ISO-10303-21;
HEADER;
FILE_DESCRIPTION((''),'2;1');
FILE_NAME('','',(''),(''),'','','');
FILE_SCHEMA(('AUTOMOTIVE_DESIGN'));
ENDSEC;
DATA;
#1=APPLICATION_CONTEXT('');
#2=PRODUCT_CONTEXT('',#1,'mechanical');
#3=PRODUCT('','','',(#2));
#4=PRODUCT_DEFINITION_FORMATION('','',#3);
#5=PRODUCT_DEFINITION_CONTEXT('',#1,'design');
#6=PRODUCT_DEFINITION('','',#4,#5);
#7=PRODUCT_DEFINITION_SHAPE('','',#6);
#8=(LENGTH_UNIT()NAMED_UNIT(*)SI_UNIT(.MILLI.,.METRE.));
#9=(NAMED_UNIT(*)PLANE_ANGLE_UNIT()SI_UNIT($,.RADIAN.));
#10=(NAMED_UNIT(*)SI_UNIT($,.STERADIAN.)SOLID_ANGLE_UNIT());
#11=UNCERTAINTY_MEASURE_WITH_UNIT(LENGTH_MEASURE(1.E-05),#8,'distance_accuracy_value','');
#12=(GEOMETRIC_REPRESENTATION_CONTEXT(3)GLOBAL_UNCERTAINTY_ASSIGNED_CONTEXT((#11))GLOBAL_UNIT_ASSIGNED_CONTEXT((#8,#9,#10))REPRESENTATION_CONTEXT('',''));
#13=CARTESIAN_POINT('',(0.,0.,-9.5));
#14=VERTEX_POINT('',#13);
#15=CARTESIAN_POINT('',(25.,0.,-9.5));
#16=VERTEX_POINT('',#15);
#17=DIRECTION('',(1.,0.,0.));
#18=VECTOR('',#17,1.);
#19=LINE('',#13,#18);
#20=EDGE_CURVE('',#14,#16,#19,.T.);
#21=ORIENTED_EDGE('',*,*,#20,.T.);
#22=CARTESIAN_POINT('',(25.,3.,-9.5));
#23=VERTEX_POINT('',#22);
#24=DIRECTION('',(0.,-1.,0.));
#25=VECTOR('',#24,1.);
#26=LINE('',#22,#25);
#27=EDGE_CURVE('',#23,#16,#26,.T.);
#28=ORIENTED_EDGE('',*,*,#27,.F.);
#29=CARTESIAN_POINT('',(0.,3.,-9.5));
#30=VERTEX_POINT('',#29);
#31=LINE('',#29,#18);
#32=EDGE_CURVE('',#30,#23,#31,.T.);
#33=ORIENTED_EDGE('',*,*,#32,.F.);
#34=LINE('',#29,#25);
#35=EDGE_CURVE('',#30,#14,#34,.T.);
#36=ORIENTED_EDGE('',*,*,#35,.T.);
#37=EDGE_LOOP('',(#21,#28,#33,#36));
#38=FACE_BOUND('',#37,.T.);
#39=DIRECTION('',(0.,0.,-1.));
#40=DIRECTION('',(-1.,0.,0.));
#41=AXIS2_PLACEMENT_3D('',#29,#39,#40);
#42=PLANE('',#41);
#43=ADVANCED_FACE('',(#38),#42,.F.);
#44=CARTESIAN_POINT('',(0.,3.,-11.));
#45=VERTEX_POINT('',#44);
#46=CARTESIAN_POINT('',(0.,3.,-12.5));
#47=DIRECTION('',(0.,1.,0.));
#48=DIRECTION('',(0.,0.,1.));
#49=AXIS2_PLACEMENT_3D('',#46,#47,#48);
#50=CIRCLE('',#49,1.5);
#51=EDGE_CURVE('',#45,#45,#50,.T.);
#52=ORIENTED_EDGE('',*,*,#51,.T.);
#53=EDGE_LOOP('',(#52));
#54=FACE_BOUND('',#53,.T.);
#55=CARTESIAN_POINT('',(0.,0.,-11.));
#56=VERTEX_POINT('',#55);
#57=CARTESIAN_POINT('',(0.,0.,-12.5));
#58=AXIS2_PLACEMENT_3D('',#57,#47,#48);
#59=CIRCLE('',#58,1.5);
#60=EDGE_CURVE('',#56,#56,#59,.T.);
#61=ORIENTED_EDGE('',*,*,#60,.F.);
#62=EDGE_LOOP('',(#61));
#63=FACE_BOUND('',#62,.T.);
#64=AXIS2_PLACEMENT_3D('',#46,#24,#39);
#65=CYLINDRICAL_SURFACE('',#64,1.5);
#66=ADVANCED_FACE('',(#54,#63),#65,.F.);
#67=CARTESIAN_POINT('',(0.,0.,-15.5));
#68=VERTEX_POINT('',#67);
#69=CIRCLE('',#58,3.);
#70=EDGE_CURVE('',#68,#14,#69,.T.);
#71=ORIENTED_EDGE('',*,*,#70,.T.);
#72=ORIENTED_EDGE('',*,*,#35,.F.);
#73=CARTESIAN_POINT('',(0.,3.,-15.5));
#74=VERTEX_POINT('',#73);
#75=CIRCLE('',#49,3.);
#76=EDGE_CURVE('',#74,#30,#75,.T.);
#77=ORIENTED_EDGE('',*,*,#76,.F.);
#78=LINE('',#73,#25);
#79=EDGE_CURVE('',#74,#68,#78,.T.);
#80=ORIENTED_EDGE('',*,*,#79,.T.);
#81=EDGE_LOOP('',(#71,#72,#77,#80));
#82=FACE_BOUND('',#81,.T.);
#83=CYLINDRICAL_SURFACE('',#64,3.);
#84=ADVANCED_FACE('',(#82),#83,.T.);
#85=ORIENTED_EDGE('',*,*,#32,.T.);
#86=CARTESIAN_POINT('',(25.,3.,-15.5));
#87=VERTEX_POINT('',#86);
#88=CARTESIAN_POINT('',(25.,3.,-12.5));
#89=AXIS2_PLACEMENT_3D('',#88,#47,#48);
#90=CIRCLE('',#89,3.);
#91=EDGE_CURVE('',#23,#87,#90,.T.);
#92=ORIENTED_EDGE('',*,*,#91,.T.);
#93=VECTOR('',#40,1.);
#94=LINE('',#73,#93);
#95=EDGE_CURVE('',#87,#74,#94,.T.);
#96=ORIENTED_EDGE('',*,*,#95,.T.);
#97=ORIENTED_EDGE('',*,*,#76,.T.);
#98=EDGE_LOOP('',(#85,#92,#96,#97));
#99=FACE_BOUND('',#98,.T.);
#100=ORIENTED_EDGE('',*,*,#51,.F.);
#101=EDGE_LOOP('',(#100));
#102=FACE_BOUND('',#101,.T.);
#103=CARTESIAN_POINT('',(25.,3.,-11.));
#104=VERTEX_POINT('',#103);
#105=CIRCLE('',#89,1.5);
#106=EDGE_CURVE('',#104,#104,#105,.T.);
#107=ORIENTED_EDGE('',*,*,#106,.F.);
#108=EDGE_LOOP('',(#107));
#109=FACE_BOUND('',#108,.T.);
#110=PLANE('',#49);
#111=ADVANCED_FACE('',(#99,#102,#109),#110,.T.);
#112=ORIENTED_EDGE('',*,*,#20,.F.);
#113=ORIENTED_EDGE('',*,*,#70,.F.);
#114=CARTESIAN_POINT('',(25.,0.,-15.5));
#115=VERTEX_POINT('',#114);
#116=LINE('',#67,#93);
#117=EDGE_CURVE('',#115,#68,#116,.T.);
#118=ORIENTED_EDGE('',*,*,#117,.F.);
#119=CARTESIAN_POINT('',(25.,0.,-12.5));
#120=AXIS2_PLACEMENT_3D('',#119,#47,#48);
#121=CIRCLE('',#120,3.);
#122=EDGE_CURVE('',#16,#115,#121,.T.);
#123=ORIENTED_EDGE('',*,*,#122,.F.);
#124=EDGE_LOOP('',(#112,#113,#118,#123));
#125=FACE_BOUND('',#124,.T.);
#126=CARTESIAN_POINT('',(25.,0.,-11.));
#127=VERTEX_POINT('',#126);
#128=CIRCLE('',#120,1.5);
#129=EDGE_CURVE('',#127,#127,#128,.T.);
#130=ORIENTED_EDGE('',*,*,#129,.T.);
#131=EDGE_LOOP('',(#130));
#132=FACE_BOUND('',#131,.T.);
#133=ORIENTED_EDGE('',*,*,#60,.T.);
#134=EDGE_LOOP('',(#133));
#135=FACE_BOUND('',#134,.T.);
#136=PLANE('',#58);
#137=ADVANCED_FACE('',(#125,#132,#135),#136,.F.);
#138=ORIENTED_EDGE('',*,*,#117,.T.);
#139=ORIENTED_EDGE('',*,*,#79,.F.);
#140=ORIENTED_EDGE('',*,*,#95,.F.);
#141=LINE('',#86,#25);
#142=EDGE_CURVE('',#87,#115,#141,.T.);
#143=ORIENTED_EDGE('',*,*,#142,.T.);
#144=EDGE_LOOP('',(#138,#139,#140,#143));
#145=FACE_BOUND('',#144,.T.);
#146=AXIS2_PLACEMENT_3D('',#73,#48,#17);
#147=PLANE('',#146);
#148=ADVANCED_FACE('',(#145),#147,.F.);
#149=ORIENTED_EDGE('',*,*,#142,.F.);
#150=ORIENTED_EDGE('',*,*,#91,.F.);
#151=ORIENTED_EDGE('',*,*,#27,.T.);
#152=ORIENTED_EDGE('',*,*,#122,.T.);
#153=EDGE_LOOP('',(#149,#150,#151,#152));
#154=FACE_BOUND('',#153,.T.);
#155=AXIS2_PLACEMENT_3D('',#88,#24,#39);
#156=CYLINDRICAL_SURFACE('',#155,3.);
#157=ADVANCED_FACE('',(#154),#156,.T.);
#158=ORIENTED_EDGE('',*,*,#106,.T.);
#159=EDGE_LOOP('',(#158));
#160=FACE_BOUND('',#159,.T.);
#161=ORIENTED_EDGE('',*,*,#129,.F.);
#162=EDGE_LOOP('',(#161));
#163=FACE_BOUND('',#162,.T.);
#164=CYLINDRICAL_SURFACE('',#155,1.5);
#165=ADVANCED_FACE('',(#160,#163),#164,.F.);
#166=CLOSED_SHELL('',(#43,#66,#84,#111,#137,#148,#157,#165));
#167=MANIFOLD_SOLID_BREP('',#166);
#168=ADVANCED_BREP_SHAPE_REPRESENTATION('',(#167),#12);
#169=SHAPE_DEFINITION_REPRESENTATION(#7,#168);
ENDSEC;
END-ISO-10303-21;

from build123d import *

# Parameters (mm, degrees)
SKETCH3_R           = 1.5
BOSS_EXTRUDE1_DEPTH = 3


with BuildPart() as part:
    # Sketch3 → Boss-Extrude1 (new body)
    with BuildSketch(Plane(origin=(0, 0, 0), x_dir=(1, 0, 0), z_dir=(0, 1, 0))):
        with BuildLine():
            Line((0, 15.5), (25, 15.5))
            ThreePointArc((25, 15.5), (28, 12.5), (25, 9.5))
            Line((25, 9.5), (0, 9.5))
            ThreePointArc((0, 9.5), (-3, 12.5), (0, 15.5))
        make_face()
        with Locations(Location((25, 12.5, 0), (0, 0, 270))):
            Circle(SKETCH3_R, mode=Mode.SUBTRACT)
        with Locations(Location((0, 12.5, 0), (0, 0, 270))):
            Circle(SKETCH3_R, mode=Mode.SUBTRACT)
    extrude(amount=BOSS_EXTRUDE1_DEPTH)


solid = part.part
